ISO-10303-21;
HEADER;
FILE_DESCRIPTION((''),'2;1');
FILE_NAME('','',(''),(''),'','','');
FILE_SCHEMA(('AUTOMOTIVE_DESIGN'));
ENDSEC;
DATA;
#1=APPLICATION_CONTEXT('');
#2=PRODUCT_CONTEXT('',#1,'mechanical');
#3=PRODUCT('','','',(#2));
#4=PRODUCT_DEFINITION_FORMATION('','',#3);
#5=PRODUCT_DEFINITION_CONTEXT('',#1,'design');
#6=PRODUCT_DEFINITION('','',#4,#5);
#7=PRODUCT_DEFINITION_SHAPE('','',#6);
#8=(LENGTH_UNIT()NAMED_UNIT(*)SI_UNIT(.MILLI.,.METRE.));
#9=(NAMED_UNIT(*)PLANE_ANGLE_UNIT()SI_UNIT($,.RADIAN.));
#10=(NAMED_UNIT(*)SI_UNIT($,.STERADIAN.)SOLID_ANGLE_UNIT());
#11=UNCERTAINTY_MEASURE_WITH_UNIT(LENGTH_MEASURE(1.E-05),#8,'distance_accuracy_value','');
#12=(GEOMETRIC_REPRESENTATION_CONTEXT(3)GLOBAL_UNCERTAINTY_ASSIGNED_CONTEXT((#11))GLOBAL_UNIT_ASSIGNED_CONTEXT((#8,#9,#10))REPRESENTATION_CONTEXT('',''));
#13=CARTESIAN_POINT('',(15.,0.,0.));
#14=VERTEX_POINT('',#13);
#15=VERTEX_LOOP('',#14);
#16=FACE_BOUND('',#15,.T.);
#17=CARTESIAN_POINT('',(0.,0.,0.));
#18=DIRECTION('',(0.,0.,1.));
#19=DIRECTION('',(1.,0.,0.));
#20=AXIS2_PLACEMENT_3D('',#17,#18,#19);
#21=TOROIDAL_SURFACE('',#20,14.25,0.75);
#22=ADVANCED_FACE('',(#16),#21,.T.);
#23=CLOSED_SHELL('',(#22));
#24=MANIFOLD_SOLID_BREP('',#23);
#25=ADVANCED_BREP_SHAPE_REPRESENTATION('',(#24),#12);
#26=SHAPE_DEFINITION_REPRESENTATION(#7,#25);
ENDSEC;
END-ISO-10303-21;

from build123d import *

# Parameters (mm, degrees)
ESQUISSE1_R = 0.75


with BuildPart() as part:
    # Esquisse1 → Révolution1 (revolve)
    with BuildSketch(Plane(origin=(0, 0, 0), x_dir=(0, 0, -1), z_dir=(1, 0, 0))):
        with Locations((0, 14.25)):
            Circle(ESQUISSE1_R)
    revolve(axis=Axis((0, 0, 0), (0, 0, -1)))


solid = part.part
